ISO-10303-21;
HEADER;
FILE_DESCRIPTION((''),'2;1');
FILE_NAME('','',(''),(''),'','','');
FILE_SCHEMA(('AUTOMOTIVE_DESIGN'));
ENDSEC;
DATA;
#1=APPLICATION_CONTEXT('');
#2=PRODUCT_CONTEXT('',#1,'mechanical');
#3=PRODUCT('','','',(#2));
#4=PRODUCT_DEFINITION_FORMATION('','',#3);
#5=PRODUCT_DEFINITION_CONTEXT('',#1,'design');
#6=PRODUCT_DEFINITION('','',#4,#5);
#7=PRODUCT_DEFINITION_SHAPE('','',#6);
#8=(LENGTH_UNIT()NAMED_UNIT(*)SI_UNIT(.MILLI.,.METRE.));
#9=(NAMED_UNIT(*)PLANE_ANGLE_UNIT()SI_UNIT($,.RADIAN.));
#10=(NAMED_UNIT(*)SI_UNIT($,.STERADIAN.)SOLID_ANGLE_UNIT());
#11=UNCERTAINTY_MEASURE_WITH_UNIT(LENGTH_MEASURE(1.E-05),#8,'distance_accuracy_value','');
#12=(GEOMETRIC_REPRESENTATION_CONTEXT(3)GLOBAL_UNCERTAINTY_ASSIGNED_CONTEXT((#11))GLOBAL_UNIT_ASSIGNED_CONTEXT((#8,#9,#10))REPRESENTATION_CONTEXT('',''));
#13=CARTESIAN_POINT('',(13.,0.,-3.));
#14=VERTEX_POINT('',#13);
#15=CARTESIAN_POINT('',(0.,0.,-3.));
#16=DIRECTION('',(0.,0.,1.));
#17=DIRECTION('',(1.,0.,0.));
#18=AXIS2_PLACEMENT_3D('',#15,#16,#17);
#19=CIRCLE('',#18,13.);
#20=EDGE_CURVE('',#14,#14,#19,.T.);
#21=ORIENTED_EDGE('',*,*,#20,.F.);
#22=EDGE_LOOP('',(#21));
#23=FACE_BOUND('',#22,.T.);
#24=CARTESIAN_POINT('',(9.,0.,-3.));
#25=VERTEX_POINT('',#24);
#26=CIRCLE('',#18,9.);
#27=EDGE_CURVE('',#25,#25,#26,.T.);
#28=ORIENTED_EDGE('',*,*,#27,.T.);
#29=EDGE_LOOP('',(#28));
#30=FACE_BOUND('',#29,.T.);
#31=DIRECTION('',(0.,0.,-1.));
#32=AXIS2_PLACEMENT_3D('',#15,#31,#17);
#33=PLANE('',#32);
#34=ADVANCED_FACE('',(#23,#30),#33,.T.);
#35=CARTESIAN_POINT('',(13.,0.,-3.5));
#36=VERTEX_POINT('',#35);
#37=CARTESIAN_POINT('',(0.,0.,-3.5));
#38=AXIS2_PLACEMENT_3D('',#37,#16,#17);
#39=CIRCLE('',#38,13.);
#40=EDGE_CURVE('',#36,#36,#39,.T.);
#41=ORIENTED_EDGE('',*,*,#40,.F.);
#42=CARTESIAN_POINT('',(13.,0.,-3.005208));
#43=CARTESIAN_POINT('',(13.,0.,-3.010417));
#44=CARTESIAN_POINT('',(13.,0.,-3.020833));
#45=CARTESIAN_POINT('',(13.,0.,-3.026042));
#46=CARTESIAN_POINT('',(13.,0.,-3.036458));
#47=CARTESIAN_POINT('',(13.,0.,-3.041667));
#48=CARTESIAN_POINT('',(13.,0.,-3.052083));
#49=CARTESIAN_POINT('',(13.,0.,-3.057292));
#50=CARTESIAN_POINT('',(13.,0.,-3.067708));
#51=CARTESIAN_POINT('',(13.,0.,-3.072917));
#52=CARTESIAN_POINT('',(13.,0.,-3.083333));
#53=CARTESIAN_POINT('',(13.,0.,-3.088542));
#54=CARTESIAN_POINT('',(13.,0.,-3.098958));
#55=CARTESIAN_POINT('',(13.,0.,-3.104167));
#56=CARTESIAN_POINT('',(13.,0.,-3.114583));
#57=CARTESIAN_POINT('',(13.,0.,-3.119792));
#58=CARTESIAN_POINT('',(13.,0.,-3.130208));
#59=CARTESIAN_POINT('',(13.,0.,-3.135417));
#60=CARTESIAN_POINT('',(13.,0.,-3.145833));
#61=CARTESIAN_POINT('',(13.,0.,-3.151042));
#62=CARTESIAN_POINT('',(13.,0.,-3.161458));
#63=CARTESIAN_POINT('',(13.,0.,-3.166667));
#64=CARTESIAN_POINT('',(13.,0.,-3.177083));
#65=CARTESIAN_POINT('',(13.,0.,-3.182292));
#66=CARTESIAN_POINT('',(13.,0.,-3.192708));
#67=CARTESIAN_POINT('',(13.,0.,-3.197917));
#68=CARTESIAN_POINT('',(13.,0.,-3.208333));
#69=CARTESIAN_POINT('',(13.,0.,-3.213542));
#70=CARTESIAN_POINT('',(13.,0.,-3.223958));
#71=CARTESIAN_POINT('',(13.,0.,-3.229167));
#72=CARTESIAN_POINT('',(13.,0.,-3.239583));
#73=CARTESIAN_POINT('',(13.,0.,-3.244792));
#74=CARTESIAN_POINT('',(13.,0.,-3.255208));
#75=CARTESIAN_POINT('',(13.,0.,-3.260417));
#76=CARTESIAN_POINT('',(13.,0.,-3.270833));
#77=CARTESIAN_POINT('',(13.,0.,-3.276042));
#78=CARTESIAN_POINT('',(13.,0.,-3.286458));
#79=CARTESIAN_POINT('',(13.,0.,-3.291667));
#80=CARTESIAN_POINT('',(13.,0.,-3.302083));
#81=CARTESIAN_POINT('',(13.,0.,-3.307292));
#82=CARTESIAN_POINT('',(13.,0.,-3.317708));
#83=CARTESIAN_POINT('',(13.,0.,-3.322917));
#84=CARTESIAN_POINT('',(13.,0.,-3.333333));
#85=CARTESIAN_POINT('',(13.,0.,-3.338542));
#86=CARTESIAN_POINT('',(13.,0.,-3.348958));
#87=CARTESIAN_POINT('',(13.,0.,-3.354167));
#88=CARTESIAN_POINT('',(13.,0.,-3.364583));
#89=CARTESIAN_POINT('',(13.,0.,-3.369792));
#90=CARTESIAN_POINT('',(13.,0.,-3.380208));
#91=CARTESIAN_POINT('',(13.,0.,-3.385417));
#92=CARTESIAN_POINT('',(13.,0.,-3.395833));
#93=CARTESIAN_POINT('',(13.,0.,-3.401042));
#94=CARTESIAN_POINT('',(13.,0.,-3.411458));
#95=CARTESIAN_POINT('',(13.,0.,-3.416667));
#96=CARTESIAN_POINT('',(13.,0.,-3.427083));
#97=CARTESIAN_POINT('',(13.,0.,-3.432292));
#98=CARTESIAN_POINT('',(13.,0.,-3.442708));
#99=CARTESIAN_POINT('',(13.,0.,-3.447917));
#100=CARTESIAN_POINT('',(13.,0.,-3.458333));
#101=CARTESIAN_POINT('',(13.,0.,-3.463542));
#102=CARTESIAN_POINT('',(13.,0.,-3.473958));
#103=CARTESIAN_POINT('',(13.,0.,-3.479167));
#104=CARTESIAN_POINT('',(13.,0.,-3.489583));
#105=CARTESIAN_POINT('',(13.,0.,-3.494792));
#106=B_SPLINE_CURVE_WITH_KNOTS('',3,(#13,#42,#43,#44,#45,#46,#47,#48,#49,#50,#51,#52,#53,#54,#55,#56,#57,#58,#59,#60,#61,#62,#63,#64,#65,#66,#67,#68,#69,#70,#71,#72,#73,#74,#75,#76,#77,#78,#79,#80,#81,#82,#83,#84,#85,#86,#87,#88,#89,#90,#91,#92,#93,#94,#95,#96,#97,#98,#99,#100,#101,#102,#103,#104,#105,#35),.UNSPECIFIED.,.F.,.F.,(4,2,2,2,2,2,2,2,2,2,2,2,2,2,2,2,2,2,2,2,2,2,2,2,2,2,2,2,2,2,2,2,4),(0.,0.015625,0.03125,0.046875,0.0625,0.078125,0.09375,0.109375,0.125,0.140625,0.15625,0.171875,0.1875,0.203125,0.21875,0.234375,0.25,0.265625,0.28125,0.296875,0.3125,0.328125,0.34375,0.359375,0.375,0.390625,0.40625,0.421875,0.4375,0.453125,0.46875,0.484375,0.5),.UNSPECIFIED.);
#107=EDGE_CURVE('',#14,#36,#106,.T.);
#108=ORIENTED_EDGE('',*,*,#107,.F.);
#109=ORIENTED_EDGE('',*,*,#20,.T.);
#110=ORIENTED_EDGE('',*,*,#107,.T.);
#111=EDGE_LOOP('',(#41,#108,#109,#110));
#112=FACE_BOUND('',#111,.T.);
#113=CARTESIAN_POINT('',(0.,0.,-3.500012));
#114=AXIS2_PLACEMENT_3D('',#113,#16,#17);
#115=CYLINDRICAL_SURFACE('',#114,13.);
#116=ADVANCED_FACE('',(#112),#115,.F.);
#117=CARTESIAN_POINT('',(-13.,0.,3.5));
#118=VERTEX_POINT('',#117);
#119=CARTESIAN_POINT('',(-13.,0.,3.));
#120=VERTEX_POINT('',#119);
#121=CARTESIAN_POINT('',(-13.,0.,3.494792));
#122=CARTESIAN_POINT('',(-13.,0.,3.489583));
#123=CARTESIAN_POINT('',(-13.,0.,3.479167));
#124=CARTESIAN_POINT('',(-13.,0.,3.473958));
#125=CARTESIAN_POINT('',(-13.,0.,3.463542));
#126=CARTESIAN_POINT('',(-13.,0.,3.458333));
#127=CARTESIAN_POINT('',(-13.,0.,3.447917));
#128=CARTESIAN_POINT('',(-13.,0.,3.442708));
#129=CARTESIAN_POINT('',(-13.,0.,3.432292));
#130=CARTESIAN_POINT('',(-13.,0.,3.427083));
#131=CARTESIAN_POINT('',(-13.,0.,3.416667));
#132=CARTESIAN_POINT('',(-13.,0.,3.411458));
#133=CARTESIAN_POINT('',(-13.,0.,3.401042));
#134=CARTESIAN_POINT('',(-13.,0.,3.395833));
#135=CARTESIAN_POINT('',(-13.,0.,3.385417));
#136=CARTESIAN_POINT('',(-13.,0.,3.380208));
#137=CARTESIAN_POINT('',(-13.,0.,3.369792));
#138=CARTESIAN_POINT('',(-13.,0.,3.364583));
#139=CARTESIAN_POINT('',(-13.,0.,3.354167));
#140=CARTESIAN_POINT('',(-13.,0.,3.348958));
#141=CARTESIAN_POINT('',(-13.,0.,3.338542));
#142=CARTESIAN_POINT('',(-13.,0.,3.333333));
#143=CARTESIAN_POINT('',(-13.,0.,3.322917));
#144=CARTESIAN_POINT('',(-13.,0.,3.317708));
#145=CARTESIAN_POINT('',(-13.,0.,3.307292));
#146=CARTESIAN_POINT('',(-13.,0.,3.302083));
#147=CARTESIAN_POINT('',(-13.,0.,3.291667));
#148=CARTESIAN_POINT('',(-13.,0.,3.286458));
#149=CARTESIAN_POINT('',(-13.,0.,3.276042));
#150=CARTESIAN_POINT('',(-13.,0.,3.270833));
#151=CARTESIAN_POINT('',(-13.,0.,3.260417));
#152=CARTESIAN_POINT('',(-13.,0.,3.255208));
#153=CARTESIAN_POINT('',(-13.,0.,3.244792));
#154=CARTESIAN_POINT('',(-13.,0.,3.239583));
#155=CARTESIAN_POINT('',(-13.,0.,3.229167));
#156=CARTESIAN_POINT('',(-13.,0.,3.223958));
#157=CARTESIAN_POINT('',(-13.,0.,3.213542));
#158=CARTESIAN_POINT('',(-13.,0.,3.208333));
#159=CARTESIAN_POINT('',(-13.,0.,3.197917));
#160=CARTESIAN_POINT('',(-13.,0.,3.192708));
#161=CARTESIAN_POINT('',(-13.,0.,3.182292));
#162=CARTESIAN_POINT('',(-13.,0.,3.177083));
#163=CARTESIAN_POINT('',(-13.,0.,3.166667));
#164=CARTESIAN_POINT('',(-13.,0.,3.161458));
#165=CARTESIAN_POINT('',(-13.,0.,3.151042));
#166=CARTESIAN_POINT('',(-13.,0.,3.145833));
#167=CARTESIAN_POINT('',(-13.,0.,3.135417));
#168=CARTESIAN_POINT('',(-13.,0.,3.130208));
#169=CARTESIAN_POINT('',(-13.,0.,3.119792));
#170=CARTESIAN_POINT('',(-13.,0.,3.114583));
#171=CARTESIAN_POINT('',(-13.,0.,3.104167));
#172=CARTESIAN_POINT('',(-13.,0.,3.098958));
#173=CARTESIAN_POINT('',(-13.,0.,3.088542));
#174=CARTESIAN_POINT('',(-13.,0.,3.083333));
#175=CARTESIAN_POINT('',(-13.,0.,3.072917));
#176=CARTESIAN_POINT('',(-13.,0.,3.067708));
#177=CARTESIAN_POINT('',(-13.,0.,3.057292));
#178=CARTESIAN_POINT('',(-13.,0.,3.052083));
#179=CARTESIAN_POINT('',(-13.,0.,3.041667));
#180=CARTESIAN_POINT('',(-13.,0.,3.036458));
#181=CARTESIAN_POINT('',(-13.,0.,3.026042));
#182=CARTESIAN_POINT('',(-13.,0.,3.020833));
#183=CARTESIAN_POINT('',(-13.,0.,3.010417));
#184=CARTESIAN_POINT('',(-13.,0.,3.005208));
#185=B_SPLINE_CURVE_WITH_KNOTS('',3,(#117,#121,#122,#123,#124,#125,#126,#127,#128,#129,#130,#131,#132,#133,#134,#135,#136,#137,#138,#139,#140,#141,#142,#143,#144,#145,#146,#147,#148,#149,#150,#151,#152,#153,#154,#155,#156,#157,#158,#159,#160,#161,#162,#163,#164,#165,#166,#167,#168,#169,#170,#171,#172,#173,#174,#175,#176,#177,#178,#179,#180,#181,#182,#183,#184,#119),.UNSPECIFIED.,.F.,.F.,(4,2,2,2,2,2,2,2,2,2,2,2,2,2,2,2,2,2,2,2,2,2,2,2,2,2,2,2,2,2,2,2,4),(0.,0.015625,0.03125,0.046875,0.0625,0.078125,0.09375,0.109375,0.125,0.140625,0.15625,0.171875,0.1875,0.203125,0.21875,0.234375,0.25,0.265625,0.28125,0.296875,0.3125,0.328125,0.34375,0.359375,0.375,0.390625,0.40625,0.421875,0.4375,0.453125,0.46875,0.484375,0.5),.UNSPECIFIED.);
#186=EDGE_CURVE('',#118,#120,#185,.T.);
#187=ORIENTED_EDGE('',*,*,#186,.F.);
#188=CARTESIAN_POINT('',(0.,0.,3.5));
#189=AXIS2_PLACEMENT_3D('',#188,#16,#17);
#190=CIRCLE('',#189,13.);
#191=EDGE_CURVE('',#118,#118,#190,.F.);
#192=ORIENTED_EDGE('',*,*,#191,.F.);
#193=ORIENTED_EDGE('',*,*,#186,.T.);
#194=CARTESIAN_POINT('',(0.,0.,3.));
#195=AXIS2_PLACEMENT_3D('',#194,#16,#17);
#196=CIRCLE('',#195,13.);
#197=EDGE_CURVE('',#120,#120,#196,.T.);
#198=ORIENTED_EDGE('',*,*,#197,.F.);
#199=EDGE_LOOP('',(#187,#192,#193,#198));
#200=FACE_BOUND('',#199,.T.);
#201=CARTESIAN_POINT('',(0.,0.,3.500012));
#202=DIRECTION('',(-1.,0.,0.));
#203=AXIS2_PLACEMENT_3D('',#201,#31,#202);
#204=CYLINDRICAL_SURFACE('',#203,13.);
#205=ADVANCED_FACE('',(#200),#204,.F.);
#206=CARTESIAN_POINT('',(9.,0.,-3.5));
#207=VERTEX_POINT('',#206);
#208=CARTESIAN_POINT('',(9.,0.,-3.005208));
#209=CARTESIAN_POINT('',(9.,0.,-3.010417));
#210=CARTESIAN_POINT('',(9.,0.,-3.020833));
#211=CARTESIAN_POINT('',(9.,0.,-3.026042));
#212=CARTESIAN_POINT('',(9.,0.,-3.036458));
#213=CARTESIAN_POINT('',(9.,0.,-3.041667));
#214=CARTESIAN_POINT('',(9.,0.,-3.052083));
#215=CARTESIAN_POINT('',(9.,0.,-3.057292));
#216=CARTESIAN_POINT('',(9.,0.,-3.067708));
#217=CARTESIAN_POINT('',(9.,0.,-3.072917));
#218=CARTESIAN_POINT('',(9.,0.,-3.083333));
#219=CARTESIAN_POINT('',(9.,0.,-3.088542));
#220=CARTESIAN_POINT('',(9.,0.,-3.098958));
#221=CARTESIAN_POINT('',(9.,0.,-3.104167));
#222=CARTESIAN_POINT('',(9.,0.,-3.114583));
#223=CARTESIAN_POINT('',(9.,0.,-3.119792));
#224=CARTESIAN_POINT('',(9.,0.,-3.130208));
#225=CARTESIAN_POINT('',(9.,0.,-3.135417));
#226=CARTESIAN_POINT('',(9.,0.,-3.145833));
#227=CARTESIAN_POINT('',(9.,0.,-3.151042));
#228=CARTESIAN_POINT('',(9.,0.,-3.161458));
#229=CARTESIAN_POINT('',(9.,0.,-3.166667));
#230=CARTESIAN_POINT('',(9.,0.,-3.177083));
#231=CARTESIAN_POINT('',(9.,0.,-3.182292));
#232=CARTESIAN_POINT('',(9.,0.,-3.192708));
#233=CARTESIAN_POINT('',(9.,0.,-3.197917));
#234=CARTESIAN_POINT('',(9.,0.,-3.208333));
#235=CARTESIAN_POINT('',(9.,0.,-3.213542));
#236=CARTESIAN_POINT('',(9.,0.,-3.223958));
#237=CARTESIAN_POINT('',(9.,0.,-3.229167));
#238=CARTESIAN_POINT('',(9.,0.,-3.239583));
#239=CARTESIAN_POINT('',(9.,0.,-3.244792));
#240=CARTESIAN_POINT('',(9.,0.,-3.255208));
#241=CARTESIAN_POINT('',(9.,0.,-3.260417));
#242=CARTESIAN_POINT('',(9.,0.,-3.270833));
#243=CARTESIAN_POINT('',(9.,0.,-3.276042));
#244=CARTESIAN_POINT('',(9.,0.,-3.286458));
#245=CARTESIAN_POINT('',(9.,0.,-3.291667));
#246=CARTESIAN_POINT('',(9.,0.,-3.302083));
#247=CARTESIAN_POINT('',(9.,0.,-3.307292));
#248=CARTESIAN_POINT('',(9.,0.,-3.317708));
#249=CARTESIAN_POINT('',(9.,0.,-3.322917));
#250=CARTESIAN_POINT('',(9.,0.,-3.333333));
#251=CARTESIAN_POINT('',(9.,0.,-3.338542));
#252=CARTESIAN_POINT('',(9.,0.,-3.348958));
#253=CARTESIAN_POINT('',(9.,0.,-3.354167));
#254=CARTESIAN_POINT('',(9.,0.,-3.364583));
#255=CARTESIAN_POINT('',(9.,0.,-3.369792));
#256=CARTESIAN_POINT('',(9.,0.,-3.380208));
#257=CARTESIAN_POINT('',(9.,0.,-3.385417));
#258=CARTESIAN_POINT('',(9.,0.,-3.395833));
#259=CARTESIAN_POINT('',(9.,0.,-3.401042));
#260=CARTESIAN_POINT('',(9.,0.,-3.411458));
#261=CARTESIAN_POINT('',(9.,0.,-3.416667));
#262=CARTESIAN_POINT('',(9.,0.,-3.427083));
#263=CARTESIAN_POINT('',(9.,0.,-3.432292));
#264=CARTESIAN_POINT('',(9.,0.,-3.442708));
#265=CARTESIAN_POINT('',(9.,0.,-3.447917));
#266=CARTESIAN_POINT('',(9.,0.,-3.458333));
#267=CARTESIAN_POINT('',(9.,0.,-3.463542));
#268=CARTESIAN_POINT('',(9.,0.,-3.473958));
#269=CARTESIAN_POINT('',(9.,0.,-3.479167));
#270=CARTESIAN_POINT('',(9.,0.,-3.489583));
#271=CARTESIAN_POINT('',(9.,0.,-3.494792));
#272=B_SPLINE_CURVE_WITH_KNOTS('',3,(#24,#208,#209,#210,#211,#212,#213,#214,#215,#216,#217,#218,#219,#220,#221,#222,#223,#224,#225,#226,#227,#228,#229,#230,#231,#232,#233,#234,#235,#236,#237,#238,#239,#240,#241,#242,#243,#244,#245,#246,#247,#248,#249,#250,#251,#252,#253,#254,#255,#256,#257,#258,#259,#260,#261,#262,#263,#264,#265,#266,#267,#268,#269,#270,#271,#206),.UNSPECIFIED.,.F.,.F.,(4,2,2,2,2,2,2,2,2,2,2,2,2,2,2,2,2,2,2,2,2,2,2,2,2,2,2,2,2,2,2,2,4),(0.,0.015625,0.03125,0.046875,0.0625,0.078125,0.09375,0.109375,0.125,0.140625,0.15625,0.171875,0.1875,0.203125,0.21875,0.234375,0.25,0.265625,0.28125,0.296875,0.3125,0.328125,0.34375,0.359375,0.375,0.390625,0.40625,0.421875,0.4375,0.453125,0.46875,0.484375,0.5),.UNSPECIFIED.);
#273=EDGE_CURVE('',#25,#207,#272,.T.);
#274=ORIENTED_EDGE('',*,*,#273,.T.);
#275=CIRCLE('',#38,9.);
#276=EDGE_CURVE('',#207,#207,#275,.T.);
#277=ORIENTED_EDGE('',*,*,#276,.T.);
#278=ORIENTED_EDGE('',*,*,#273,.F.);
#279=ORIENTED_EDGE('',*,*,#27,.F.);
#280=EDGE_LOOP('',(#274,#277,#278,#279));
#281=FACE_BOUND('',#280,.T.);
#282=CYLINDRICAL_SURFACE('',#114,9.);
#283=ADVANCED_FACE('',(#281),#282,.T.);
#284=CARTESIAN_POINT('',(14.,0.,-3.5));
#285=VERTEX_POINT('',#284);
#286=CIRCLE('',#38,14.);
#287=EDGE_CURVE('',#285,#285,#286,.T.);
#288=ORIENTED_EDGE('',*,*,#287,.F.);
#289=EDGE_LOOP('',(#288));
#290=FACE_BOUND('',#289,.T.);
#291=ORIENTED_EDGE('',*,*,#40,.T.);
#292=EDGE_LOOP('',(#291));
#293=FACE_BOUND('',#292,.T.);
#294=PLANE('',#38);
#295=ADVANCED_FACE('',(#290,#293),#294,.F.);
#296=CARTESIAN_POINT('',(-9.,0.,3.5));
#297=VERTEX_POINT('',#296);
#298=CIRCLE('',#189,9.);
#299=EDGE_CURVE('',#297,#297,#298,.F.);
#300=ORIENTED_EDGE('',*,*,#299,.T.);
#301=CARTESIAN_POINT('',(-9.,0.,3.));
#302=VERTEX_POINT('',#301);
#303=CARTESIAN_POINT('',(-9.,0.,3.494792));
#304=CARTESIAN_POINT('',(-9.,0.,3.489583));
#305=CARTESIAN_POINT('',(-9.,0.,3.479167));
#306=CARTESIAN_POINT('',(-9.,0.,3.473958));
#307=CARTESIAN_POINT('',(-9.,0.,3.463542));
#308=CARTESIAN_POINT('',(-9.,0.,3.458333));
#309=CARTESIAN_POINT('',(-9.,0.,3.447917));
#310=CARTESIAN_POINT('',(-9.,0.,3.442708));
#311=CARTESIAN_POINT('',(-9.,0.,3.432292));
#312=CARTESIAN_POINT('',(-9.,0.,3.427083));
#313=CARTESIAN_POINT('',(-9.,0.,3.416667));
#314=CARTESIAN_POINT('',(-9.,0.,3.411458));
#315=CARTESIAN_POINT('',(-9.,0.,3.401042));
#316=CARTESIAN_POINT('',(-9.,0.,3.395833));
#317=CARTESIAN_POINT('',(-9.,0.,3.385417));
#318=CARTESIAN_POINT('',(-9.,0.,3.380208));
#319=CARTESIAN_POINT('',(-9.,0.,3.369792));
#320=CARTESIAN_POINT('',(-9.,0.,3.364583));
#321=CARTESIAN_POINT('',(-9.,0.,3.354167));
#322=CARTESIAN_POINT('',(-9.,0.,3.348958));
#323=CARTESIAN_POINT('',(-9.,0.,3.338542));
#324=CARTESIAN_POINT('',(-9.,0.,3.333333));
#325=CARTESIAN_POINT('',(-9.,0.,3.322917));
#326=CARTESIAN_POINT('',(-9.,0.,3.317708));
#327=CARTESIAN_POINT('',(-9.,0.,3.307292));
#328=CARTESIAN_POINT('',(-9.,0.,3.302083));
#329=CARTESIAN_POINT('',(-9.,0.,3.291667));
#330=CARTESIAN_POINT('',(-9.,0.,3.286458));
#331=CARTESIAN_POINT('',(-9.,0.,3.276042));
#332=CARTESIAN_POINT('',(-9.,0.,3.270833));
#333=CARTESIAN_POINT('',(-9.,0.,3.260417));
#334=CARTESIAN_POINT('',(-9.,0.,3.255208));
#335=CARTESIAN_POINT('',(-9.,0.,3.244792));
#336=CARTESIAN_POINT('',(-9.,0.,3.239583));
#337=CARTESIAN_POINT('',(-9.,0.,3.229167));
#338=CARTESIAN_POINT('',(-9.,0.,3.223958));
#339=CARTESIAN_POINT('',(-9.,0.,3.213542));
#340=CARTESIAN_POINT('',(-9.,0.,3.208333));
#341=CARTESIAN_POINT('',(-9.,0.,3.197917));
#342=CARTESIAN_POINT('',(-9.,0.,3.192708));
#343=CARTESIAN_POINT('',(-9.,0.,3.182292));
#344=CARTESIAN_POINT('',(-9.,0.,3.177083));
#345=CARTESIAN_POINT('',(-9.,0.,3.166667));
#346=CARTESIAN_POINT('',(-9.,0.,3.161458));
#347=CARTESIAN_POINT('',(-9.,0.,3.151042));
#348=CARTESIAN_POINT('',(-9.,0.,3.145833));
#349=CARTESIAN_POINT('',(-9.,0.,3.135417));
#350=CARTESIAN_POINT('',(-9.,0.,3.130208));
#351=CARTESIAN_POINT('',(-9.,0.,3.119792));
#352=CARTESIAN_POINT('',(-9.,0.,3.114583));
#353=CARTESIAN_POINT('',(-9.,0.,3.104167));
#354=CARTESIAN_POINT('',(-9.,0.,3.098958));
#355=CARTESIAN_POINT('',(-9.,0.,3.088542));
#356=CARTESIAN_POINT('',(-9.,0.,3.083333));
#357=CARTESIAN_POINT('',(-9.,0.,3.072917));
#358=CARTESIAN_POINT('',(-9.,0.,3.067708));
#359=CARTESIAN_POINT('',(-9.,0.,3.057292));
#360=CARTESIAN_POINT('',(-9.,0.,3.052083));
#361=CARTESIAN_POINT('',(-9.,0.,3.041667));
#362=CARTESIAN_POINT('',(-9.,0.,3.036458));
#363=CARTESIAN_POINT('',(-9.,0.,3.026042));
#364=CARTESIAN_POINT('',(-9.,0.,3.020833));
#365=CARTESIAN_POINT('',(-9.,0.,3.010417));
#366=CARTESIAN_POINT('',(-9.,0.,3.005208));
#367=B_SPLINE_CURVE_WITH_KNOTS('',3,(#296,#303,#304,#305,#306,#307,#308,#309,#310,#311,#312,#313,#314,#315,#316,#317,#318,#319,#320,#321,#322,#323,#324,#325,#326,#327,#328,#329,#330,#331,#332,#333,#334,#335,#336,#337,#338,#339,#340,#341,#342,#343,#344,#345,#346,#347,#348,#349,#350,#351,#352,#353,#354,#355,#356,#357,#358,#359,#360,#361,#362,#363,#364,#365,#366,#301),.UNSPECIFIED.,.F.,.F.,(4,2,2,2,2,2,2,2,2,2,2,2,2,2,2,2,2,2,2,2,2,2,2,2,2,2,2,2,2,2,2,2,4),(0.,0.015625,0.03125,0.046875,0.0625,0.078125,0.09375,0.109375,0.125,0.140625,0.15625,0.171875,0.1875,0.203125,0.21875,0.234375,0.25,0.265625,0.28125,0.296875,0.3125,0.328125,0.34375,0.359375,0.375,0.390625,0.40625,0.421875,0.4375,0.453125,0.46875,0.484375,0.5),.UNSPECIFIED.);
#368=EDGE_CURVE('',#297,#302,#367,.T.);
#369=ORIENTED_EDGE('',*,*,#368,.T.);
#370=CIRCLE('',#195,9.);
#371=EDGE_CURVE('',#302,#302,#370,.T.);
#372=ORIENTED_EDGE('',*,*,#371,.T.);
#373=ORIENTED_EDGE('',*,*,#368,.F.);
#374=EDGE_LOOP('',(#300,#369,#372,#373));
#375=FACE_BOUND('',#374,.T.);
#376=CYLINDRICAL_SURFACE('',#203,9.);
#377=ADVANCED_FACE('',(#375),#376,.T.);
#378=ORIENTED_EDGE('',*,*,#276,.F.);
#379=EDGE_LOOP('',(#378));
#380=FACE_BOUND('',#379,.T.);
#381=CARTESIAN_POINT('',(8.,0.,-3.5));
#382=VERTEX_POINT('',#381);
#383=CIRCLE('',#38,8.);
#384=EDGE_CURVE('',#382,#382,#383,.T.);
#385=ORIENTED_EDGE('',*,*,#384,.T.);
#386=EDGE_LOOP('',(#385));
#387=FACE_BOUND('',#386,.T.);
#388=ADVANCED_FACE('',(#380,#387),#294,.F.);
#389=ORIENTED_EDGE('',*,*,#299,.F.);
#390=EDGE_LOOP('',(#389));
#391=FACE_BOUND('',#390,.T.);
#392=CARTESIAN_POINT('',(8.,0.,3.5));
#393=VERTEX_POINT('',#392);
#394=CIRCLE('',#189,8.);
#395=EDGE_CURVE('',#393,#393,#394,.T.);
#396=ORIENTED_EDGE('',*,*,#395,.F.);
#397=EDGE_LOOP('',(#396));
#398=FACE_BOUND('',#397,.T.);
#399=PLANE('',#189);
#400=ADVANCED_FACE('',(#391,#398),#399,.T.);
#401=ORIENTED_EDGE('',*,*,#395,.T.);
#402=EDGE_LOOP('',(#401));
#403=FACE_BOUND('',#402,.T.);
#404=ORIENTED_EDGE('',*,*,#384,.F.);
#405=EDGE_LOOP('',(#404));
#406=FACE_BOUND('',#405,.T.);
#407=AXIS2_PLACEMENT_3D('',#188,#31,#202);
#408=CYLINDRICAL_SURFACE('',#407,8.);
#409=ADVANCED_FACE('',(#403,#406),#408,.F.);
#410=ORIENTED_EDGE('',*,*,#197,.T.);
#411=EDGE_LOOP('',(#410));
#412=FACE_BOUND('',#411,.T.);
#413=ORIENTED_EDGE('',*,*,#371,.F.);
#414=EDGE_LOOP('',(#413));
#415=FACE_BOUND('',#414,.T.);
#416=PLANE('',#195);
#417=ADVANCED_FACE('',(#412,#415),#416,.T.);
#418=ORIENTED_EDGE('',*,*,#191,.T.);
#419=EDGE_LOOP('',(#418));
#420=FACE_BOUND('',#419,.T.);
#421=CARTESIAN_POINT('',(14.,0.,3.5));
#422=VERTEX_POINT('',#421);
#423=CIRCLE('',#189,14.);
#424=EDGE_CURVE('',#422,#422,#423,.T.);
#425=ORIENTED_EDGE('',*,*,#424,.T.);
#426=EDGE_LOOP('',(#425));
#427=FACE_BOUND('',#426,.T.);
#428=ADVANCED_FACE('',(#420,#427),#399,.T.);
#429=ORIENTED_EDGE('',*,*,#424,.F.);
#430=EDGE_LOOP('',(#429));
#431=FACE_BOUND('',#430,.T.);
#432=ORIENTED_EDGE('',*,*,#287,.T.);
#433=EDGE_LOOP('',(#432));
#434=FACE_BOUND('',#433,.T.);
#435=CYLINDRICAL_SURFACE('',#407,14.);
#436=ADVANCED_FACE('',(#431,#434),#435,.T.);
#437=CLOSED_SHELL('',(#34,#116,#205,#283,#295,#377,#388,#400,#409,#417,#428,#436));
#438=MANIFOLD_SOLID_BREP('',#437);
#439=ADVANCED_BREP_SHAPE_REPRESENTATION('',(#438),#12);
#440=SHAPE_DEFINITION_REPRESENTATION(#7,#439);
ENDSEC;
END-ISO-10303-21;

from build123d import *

# Parameters (mm, degrees)
SKETCH1_R           = 14
SKETCH1_R_2         = 8
BOSS_EXTRUDE1_DEPTH = 3.5
CUT_EXTRUDE1_START  = -0.5
SKETCH2_R           = 13
SKETCH2_R_2         = 9
CUT_EXTRUDE1_DEPTH  = 22.5


with BuildPart() as part:
    # Sketch1 → Boss-Extrude1 (new, symmetric)
    with BuildSketch(Plane.XY):
        Circle(SKETCH1_R)
        Circle(SKETCH1_R_2, mode=Mode.SUBTRACT)
    extrude(amount=BOSS_EXTRUDE1_DEPTH, both=True)

    # Sketch2 → Cut-Extrude1 (cut)
    with BuildSketch(Plane.XY.offset(3.5).offset(CUT_EXTRUDE1_START)):
        with Locations(Location((0, 0, 0), (0, 0, 180))):
            Circle(SKETCH2_R)
        with Locations(Location((0, 0, 0), (0, 0, 180))):
            Circle(SKETCH2_R_2, mode=Mode.SUBTRACT)
    cut_extrude1 = extrude(amount=CUT_EXTRUDE1_DEPTH, mode=Mode.SUBTRACT)

    # Mirror1: Cut-Extrude1 across plane
    add(cut_extrude1.mirror(Plane.XY), mode=Mode.SUBTRACT)

    # Mirror1 at the second plane: Cut-Extrude1 across plane
    add(cut_extrude1.mirror(Plane(origin=(0, 0, 0), x_dir=(0, 0, 1), z_dir=(1, 0, 0))), mode=Mode.SUBTRACT)


solid = part.part
